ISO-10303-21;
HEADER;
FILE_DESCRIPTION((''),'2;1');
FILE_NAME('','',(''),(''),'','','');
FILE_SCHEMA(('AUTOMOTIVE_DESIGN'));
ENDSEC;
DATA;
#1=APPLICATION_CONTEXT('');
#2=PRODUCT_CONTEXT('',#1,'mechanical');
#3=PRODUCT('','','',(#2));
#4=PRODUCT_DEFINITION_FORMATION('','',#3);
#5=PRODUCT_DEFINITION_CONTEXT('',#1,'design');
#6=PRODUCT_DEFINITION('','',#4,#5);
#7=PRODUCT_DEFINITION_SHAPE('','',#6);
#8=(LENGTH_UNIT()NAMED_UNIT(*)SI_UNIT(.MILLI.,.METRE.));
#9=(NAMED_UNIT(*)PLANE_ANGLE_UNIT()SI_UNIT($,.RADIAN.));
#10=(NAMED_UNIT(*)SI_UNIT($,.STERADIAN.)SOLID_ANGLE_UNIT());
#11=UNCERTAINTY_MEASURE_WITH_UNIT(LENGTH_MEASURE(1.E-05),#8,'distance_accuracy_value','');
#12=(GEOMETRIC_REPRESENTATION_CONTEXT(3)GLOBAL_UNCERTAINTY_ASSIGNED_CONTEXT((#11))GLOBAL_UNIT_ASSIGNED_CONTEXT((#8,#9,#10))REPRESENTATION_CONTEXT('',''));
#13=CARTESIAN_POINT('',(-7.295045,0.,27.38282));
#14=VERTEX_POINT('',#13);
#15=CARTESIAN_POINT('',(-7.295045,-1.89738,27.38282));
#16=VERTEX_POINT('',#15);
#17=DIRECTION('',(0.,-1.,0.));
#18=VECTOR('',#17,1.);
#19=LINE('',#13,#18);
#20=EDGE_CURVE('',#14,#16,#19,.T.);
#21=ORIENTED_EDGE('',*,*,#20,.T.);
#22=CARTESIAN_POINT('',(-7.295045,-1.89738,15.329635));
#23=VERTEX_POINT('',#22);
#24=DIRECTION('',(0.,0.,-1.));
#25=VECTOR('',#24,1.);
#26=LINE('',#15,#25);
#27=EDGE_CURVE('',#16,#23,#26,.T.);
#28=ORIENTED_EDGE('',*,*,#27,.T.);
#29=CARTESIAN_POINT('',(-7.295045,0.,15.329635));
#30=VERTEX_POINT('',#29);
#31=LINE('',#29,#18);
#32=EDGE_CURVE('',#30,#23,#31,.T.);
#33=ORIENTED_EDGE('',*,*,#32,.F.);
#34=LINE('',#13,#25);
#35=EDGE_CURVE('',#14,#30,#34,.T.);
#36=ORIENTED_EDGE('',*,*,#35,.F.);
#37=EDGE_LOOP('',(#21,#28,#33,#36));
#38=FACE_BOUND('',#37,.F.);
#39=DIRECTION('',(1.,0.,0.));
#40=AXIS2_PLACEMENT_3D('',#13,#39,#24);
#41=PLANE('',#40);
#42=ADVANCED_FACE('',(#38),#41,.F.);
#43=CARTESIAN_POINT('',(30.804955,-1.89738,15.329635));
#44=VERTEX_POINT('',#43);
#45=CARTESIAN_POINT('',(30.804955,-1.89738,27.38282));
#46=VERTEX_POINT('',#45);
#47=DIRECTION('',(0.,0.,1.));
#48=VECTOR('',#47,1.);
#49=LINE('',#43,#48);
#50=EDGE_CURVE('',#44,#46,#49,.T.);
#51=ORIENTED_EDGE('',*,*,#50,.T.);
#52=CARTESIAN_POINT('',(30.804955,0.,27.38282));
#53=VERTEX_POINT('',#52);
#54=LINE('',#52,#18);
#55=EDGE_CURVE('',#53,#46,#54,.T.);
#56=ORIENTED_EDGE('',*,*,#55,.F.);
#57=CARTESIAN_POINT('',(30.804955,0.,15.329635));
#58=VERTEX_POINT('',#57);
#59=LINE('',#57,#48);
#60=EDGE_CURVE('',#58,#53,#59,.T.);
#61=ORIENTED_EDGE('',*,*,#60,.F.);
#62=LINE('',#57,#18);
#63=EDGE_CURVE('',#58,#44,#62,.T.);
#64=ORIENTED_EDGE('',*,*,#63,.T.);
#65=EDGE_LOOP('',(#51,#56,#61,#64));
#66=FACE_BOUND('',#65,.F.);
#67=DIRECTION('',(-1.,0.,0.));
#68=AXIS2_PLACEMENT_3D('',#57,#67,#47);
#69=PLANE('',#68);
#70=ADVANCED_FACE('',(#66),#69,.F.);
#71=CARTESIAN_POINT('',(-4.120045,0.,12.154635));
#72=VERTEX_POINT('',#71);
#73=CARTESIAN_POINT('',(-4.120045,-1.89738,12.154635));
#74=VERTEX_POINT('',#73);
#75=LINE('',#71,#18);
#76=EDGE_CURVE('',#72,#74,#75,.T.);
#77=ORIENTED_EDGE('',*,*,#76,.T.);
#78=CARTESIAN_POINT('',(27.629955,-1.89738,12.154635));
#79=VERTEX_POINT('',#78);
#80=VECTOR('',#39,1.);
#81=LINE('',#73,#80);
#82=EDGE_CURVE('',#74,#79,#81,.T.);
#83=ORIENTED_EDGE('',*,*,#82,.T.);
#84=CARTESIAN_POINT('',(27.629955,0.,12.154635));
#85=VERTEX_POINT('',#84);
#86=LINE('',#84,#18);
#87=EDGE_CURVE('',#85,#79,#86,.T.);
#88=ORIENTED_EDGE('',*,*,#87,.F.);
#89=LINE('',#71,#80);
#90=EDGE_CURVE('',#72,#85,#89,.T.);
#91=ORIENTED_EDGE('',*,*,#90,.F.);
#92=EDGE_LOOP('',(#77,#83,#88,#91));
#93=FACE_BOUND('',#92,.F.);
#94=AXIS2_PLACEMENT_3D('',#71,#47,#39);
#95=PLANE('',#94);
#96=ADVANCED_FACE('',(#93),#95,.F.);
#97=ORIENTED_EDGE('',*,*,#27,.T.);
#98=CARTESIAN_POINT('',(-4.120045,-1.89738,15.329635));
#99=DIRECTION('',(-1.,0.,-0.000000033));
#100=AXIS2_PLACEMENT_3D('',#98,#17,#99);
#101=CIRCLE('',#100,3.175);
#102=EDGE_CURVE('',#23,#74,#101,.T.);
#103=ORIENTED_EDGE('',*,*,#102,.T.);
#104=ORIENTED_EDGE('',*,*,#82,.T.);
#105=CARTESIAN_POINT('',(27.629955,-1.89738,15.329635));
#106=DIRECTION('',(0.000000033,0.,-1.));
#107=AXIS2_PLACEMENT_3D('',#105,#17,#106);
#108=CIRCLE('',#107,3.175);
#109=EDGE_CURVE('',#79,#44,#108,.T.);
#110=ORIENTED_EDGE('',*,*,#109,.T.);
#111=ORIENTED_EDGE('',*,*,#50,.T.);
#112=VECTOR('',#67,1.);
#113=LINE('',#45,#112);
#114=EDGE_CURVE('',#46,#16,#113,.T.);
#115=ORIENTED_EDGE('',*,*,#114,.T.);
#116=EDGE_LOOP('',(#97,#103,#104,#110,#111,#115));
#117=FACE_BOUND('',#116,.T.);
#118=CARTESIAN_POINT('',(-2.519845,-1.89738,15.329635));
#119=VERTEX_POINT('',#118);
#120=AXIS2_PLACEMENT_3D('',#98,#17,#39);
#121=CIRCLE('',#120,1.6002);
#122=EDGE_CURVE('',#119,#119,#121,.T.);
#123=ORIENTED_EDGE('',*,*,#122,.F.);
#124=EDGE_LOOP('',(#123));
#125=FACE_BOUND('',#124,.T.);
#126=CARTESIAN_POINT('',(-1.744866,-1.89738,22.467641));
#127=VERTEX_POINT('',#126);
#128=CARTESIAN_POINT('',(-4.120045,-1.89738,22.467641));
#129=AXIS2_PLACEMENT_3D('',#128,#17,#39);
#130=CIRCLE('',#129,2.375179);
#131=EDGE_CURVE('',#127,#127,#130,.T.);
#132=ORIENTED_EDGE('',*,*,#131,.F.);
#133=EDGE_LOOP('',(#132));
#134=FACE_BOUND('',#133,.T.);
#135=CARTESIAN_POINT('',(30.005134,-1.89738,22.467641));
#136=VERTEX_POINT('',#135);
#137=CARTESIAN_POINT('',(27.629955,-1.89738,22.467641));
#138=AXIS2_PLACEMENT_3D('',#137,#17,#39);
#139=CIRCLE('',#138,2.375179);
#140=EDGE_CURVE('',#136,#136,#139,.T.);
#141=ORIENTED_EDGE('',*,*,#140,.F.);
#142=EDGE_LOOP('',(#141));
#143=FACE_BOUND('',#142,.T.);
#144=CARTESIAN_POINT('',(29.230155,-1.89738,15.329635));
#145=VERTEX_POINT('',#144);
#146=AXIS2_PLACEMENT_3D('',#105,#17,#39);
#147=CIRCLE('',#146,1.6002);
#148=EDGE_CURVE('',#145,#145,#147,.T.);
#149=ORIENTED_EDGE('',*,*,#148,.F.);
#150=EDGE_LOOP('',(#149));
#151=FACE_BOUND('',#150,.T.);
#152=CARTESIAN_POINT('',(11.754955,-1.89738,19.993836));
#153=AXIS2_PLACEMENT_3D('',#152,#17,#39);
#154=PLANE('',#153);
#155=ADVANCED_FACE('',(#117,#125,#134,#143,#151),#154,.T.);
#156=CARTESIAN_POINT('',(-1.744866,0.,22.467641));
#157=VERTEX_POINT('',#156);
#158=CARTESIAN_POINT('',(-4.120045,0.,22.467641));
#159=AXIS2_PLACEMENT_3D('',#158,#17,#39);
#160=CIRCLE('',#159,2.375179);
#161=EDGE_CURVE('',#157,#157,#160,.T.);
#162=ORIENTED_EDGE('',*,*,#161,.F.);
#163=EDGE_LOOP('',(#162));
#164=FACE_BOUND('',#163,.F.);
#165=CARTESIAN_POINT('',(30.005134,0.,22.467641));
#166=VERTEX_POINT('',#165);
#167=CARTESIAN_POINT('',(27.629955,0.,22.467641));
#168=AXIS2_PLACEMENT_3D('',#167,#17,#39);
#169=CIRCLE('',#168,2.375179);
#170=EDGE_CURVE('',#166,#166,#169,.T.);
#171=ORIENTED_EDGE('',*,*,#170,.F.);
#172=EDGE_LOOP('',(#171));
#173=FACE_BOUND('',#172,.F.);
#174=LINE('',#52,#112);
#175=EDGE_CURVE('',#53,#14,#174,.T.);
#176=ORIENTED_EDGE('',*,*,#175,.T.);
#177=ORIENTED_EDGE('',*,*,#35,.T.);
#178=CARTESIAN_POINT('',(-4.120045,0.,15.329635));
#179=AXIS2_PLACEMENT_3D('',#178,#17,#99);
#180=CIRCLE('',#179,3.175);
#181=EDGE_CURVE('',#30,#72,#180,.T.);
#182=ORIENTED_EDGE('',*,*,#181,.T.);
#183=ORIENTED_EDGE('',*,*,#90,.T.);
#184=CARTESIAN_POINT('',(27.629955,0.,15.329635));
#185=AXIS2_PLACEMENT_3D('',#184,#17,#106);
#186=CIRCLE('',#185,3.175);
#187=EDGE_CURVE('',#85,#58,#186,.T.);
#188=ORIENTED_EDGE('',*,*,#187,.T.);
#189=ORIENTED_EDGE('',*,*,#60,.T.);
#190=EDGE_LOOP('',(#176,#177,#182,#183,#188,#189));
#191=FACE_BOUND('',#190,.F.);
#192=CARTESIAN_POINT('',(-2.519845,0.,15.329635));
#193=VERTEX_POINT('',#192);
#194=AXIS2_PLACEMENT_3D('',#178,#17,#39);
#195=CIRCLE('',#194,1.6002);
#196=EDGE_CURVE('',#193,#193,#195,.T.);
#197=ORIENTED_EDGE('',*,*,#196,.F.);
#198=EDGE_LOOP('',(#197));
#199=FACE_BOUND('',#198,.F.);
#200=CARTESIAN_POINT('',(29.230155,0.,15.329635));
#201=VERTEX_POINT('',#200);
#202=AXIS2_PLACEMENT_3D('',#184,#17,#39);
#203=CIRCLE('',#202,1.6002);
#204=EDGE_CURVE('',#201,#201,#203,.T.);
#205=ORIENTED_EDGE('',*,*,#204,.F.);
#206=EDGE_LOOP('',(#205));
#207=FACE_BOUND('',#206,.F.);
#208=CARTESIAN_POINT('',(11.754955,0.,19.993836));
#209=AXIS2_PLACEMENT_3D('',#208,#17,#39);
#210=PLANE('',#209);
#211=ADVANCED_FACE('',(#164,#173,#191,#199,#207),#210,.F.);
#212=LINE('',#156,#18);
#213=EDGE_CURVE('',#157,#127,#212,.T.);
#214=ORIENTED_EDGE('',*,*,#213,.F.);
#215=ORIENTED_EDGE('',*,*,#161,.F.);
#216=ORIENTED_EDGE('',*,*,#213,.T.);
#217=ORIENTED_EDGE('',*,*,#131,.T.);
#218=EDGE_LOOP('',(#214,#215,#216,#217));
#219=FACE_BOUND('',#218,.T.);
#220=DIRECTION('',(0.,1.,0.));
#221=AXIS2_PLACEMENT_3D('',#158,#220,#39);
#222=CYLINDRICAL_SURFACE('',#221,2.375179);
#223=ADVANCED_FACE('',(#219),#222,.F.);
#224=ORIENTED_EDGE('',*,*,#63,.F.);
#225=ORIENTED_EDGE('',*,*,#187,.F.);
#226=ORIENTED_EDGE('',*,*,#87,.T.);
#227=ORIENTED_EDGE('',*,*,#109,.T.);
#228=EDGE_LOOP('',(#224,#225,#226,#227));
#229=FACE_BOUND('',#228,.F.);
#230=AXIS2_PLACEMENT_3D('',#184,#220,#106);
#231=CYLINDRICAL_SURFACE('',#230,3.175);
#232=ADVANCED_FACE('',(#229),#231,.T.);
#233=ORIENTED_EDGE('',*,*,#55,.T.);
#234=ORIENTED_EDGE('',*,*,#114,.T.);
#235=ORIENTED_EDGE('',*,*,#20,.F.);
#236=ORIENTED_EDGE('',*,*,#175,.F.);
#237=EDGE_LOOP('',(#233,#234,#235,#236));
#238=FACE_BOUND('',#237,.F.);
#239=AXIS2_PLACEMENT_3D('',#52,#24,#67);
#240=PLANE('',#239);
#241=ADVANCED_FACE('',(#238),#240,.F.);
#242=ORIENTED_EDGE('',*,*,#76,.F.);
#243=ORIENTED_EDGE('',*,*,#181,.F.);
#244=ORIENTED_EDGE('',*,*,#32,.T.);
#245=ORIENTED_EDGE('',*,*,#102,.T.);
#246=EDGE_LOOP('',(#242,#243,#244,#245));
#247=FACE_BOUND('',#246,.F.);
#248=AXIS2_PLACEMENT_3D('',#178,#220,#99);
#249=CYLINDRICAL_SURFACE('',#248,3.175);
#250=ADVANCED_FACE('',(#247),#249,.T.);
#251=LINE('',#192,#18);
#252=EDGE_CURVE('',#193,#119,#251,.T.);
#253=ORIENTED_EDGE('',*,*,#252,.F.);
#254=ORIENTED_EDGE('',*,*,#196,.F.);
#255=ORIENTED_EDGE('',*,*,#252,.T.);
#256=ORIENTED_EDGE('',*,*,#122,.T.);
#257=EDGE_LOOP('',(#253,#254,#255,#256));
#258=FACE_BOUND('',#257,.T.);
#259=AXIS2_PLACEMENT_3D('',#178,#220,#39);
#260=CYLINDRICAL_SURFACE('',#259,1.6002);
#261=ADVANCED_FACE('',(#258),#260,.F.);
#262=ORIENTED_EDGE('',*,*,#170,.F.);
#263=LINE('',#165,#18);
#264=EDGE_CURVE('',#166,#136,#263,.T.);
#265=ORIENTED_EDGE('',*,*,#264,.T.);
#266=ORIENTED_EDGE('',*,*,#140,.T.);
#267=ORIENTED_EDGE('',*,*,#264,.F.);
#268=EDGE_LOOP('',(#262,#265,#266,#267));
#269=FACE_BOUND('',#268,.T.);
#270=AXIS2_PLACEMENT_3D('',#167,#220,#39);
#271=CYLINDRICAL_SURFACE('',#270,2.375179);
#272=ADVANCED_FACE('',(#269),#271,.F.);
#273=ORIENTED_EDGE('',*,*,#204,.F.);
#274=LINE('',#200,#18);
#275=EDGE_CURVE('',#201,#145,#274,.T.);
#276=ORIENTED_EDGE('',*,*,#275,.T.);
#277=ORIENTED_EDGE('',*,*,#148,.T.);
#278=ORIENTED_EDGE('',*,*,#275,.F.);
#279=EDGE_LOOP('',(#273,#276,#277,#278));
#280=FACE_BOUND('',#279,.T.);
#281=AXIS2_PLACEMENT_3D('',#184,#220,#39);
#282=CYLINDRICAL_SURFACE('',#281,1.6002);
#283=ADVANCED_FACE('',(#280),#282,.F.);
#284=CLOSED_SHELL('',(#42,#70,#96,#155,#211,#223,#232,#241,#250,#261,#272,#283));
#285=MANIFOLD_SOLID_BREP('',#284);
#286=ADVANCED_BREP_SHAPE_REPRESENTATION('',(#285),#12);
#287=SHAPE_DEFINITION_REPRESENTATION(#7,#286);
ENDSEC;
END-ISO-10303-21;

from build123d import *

# Parameters (mm, degrees)
F0_R     = 1.6002
F0_R_2   = 2.375179
F1_DEPTH = 1.89738


with BuildPart() as f1:
    # F0 (on Front) → F1 (new body)
    with BuildSketch(Plane.XZ):
        with BuildLine():
            Line((30.804955, 27.38282), (-7.295045, 27.38282))
            Line((-7.295045, 27.38282), (-7.295045, 15.329635))
            ThreePointArc((-7.295045, 15.329635), (-6.365109, 13.084571), (-4.120045, 12.154635))
            Line((-4.120045, 12.154635), (0.667936, 12.154635))
            Line((0.667936, 12.154635), (22.841974, 12.154635))
            Line((22.841974, 12.154635), (27.629955, 12.154635))
            ThreePointArc((27.629955, 12.154635), (29.875019, 13.084571), (30.804955, 15.329635))
            Line((30.804955, 15.329635), (30.804955, 27.38282))
        make_face()
        with Locations((-4.120045, 15.329635)):
            Circle(F0_R, mode=Mode.SUBTRACT)
        with Locations((27.629955, 15.329635)):
            Circle(F0_R, mode=Mode.SUBTRACT)
        with Locations((-4.120045, 22.467641)):
            Circle(F0_R_2, mode=Mode.SUBTRACT)
        with Locations((27.629955, 22.467641)):
            Circle(F0_R_2, mode=Mode.SUBTRACT)
    extrude(amount=F1_DEPTH)


solid = f1.part
